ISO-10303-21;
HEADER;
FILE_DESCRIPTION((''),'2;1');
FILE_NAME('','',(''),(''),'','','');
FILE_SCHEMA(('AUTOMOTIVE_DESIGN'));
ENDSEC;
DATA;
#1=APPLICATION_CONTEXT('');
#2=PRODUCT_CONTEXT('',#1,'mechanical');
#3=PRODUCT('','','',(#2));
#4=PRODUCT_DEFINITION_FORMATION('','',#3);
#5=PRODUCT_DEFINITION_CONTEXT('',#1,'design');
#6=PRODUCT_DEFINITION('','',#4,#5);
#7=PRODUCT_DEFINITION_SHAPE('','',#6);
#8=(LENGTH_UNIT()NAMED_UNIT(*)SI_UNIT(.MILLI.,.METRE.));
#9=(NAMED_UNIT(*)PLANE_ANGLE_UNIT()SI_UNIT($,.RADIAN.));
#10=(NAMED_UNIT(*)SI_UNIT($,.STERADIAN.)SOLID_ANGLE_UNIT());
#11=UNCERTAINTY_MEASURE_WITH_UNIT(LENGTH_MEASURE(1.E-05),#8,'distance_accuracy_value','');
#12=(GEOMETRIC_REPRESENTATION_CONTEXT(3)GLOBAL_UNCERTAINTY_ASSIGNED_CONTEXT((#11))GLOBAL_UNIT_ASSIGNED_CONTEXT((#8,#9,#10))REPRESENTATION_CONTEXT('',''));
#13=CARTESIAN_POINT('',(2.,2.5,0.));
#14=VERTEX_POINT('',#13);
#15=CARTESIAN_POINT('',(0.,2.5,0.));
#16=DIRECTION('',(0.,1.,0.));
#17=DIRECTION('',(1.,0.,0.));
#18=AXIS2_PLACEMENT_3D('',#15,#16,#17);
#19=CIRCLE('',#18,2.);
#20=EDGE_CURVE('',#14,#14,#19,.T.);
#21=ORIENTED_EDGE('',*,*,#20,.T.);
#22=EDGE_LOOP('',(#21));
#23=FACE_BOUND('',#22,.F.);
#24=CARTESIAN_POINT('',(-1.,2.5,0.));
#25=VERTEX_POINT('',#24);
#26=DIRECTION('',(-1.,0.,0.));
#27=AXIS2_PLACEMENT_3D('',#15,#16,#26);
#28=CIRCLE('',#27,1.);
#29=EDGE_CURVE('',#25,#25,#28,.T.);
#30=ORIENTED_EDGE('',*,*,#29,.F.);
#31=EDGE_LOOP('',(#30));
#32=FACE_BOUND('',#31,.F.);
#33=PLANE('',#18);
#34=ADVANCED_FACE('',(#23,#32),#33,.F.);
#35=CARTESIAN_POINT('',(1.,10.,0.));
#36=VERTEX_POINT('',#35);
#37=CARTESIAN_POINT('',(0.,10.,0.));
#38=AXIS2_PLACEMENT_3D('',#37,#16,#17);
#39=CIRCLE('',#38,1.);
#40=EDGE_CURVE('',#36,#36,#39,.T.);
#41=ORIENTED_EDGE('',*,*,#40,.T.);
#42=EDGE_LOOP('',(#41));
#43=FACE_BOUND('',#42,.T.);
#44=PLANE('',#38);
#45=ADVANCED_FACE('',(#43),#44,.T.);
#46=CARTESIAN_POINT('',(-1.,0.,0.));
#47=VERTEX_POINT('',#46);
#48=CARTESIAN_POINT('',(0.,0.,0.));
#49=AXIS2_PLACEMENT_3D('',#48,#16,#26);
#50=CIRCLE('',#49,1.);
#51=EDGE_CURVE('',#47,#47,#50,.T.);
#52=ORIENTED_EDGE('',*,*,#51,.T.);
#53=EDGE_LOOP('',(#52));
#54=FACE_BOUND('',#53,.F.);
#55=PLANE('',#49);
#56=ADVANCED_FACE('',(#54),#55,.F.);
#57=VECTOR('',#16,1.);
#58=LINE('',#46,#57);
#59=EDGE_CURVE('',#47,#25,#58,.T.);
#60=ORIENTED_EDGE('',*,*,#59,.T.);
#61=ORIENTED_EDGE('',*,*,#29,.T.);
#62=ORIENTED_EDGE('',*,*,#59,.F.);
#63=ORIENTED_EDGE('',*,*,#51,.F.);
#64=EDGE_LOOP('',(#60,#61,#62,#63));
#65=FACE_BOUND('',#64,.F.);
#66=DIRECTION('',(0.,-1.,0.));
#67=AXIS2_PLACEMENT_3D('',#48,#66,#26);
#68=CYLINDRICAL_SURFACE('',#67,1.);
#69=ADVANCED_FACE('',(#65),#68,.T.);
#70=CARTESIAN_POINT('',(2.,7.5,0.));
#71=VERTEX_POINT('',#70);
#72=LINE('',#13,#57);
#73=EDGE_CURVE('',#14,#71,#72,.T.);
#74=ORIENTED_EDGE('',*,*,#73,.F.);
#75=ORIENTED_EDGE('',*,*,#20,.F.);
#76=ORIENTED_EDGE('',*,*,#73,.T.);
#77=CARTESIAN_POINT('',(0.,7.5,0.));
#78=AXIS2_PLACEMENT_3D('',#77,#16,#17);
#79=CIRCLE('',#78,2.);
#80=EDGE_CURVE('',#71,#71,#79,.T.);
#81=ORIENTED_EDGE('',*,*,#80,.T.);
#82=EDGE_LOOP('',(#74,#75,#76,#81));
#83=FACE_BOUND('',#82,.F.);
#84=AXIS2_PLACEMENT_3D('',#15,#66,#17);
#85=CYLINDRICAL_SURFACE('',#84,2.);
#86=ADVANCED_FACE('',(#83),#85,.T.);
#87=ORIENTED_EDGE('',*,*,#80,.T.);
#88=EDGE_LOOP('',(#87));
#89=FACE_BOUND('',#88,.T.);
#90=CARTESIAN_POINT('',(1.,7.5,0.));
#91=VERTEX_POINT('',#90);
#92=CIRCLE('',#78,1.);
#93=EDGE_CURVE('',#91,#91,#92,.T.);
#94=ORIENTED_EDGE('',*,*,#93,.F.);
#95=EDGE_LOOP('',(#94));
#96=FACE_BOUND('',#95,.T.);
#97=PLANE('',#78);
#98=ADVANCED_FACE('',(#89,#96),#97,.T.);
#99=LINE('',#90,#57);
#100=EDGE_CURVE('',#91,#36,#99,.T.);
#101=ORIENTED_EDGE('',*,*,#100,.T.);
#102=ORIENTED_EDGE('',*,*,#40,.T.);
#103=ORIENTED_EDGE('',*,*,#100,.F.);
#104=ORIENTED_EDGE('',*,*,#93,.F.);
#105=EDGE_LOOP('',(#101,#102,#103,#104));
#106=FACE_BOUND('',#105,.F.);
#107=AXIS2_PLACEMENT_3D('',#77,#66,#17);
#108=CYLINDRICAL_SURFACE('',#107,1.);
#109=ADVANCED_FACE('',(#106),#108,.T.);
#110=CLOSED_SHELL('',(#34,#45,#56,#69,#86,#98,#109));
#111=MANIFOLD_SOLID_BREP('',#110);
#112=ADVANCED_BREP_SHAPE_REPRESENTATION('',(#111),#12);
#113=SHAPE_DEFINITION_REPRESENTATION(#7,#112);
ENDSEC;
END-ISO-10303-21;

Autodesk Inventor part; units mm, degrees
ref_plane "YZ Plane" through (0, 0, 0) normal (1, 0, 0) x (0, 1, 0)
ref_plane "XZ Plane" through (0, 0, 0) normal (0, 1, 0) x (-1, 0, 0)
ref_plane "XY Plane" through (0, 0, 0) normal (0, 0, 1) x (1, 0, 0)
sketch "Sketch2" plane through (0, 0, 0) normal (0, 1, 0) x (-1, 0, 0)
  circle A0 centre (0, 0) radius 1
  dimension "d2" = 2
extrude "Extrusion2" add sketch "Sketch2" along normal blind 2.5
sketch "Sketch3" plane through (0, 2.5, 0) normal (0, 1, 0) x (1, 0, 0)
  circle A0 centre (0, 0) radius 2
  dimension "d5" = 4
extrude "Extrusion3" add sketch "Sketch3" along normal blind 5
sketch "Sketch4" plane through (0, 7.5, 0) normal (0, 1, 0) x (1, 0, 0)
  circle A0 centre (0, 0) radius 1
  dimension "d8" = 2
extrude "Extrusion4" add sketch "Sketch4" along normal blind 2.5
properties part number "rapoukMotherboardSuppportv0" material "ABS Plastic"
